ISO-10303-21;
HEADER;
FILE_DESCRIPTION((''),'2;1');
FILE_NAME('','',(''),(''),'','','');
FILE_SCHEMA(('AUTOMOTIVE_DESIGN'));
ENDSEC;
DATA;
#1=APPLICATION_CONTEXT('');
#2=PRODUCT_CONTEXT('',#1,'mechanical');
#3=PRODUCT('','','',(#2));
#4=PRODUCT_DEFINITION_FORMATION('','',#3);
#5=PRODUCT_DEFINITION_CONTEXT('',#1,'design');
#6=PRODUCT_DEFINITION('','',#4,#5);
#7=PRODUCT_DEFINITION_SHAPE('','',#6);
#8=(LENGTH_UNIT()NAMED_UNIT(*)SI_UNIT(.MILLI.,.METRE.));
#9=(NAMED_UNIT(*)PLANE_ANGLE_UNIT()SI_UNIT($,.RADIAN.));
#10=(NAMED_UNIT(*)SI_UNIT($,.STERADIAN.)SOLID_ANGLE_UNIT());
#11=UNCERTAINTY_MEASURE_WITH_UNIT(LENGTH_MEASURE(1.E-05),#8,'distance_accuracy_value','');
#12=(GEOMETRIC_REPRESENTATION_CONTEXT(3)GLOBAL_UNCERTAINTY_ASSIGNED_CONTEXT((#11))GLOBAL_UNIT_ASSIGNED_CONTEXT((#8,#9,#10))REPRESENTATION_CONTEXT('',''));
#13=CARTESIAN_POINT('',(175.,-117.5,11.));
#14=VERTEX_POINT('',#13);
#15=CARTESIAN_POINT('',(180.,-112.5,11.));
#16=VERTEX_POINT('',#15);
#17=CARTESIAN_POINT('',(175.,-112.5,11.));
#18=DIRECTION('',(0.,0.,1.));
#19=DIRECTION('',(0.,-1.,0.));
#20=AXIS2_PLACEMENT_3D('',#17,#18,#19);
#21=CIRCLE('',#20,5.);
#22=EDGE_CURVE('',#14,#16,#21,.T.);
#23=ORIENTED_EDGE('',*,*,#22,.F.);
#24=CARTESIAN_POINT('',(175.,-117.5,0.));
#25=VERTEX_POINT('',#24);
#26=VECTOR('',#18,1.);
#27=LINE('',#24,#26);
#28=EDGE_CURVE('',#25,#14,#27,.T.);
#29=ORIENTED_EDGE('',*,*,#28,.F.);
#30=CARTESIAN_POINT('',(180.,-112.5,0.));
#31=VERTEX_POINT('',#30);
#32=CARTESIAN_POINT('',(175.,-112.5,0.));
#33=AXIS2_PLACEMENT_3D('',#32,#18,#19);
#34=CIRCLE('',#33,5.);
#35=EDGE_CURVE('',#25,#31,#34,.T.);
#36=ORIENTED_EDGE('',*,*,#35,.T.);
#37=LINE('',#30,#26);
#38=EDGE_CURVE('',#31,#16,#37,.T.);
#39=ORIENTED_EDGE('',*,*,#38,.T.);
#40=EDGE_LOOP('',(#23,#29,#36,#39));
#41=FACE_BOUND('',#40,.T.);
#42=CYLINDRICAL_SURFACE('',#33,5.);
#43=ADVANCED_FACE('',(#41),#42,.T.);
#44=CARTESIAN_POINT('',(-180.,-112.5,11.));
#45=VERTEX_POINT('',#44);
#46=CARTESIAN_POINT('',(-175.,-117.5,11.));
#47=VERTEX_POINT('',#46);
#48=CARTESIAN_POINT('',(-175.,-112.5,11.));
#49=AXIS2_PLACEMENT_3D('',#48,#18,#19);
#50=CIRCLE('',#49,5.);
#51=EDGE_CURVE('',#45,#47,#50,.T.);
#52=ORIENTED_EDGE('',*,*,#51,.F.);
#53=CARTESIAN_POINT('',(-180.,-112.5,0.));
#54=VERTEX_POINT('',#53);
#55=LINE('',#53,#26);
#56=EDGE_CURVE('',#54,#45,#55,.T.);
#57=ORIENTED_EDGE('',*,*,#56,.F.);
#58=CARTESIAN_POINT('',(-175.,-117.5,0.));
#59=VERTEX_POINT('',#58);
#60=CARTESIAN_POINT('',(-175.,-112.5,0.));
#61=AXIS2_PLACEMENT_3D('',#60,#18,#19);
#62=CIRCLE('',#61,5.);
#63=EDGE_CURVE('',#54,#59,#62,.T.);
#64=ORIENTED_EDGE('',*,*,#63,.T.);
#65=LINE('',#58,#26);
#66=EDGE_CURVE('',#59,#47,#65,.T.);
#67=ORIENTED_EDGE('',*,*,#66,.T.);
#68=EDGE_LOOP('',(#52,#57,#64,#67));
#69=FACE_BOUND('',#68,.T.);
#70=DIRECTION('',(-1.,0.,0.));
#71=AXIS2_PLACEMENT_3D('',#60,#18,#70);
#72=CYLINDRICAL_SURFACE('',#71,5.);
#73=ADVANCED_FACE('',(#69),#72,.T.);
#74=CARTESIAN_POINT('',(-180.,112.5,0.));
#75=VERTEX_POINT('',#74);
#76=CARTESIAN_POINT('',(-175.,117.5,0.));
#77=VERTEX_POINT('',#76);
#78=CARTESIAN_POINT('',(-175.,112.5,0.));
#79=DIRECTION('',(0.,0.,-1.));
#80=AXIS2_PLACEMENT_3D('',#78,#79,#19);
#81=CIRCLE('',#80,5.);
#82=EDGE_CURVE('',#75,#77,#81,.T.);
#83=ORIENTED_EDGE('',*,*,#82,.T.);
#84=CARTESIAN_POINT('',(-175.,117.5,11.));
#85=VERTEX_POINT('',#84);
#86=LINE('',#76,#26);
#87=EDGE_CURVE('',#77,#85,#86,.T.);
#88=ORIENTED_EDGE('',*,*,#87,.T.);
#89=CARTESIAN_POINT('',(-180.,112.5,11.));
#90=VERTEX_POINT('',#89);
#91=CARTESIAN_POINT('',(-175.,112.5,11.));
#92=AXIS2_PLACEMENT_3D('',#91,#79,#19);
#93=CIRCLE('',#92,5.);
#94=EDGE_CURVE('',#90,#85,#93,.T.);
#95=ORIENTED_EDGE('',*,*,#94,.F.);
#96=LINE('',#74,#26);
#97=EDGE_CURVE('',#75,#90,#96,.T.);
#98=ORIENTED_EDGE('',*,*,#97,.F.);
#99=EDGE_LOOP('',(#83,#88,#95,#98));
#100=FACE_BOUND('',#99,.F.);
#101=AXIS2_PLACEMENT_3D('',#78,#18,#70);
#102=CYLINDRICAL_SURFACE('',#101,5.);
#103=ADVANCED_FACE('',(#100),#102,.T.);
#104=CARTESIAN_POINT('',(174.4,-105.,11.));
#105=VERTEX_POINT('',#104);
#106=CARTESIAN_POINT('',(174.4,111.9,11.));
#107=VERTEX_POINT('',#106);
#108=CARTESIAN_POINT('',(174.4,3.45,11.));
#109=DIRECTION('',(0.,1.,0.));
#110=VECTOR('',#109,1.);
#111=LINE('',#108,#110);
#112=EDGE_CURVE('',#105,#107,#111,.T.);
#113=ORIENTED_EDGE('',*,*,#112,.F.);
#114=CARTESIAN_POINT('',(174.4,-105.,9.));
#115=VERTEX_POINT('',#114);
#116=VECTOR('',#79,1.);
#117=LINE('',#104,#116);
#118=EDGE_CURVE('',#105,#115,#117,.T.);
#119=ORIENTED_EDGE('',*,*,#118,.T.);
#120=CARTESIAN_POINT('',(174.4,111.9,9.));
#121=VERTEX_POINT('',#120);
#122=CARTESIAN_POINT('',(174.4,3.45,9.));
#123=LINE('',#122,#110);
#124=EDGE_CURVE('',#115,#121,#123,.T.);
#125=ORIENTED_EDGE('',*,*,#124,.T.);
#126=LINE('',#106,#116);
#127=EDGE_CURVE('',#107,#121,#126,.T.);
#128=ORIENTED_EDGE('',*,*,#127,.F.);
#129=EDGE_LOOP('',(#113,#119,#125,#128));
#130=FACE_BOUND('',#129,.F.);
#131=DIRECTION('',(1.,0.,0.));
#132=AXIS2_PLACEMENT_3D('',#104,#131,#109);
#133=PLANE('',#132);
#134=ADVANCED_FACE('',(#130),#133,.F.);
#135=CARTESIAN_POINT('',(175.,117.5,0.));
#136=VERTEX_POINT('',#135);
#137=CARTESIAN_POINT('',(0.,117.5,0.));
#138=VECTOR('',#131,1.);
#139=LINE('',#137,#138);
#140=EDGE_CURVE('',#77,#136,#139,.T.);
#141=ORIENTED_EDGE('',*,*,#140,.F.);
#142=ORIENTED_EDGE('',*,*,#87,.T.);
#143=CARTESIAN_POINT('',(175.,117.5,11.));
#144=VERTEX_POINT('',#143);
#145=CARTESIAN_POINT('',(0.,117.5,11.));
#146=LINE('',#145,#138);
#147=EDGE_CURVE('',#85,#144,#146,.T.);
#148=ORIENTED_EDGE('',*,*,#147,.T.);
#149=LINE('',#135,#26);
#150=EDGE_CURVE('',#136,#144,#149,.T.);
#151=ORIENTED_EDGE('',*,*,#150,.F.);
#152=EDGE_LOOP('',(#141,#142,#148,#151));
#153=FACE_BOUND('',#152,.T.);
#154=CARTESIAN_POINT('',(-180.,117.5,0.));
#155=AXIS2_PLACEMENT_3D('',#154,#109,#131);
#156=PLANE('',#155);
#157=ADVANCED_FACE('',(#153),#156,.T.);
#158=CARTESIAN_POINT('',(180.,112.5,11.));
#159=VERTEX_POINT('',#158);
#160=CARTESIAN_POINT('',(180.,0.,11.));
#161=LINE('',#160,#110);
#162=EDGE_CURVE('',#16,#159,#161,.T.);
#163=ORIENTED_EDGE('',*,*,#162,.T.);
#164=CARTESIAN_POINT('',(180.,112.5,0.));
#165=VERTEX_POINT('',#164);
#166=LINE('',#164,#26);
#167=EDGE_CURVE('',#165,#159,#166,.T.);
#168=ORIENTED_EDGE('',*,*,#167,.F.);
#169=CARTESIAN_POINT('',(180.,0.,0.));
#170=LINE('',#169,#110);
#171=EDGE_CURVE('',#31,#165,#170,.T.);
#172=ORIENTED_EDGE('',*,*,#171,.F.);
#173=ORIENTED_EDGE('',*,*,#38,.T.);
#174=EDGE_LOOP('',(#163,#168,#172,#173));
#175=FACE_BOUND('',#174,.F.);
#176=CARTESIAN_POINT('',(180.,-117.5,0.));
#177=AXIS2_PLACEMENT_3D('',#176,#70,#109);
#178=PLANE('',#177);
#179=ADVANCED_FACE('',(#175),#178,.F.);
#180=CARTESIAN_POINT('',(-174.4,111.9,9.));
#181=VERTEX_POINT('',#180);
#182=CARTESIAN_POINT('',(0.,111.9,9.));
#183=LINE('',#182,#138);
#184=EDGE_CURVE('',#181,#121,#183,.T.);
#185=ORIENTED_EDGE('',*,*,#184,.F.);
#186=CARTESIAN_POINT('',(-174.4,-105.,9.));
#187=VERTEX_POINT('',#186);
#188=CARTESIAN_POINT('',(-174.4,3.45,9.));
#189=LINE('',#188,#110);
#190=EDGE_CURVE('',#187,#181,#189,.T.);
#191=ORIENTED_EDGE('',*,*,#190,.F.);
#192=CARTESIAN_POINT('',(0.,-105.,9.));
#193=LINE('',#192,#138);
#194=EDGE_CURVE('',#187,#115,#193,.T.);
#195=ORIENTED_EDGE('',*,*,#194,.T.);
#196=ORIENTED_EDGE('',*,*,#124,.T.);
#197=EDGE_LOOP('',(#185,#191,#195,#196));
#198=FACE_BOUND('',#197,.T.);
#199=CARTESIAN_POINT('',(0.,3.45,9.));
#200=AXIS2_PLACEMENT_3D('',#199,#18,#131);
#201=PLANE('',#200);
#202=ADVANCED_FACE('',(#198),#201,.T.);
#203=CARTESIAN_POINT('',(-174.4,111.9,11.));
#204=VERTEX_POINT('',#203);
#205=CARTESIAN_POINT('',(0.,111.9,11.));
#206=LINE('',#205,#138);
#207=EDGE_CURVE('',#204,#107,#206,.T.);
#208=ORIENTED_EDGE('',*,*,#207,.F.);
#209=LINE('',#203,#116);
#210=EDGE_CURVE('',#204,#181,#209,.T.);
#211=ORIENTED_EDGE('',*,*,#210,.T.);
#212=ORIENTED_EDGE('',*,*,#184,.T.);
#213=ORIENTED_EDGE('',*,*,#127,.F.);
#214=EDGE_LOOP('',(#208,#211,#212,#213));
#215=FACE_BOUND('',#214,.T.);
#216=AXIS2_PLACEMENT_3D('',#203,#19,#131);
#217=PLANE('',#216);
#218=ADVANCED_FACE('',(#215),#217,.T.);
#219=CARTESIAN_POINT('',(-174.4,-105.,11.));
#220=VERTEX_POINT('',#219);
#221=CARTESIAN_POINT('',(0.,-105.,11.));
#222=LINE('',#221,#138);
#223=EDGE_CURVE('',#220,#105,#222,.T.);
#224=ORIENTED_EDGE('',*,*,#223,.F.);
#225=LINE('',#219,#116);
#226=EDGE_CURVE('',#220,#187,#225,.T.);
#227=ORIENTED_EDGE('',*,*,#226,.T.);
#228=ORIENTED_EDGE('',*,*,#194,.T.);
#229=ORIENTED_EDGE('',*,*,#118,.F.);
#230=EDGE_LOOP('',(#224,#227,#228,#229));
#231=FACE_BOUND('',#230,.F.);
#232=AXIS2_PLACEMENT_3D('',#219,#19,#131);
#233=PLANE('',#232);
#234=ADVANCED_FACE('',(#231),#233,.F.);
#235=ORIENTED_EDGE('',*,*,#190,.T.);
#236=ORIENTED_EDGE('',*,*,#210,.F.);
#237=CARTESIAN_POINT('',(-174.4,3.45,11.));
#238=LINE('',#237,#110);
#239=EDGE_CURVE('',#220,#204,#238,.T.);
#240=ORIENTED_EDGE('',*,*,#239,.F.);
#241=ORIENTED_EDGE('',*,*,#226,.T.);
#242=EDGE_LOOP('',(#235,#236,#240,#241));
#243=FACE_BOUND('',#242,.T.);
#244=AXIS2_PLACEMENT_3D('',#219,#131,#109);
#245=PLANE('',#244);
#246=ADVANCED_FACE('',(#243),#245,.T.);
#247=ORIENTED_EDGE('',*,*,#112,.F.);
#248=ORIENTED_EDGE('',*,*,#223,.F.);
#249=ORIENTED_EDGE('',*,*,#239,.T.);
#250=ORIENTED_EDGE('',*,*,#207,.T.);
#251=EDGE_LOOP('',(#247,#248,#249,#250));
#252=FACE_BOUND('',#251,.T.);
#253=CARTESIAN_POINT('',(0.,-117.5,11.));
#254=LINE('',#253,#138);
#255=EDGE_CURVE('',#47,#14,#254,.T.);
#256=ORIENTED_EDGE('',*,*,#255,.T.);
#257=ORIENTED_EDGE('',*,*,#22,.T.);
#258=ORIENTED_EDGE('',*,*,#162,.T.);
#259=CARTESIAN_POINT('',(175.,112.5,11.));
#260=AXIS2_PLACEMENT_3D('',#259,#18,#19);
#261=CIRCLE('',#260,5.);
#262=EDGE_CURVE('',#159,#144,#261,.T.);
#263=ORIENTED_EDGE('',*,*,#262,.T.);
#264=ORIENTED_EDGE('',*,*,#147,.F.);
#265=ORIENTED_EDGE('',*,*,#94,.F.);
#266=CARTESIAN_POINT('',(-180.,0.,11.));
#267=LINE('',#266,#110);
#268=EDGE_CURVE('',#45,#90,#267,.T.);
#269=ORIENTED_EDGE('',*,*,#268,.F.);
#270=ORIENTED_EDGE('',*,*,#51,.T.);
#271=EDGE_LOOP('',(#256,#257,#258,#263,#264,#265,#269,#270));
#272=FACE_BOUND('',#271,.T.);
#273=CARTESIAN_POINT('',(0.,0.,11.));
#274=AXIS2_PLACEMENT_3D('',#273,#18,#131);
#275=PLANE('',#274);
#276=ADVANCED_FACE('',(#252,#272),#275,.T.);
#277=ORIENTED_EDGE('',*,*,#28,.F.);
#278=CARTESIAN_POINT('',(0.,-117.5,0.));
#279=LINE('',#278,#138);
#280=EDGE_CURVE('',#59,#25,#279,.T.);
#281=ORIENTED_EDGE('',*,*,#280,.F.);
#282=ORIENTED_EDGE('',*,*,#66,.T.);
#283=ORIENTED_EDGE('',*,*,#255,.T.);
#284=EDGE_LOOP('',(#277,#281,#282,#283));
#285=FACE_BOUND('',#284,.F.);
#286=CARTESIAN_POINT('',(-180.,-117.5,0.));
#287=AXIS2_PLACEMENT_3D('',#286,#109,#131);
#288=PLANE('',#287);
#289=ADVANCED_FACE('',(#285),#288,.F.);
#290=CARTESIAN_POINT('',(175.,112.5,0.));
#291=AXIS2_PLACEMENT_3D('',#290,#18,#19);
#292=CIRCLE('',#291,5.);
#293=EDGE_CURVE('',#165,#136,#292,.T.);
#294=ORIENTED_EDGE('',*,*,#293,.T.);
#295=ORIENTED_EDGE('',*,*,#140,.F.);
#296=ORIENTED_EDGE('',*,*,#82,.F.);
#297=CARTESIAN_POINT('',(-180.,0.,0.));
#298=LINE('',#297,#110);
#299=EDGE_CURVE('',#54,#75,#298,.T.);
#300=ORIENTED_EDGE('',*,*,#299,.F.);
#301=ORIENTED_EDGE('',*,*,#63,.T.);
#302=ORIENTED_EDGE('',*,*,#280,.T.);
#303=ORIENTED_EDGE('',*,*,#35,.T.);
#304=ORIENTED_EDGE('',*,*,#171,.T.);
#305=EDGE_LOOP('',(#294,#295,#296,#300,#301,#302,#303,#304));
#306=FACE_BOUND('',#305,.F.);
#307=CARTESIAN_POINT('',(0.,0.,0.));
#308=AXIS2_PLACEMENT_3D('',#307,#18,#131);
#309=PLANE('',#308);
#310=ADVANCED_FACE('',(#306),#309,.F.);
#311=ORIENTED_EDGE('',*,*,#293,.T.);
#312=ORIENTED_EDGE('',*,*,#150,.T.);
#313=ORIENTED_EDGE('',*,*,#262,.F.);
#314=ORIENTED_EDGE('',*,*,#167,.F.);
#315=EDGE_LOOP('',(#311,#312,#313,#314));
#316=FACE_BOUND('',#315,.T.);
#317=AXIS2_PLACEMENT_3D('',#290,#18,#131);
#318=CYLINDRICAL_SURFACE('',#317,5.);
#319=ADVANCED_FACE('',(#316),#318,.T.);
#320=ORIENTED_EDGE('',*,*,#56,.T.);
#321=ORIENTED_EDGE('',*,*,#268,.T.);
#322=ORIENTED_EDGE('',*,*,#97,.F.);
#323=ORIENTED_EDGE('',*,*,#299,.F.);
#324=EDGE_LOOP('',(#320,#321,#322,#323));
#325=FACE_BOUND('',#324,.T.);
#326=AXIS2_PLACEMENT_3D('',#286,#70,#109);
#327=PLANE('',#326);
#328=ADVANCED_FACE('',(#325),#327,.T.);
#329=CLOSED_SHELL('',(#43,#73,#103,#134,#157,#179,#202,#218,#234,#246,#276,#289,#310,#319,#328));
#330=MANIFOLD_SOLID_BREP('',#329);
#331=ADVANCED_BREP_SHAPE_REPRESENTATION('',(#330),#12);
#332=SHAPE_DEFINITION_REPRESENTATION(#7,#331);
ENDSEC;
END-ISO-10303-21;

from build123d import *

# Parameters (mm, degrees)
SKETCH1_W           = 360
SKETCH1_H           = 235
BOSS_EXTRUDE1_DEPTH = 11
FILLET1_R           = 5
SKETCH2_W           = 348.8
SKETCH2_H           = 216.9
CUT_EXTRUDE1_DEPTH  = 2


with BuildPart() as part:
    # Sketch1 → Boss-Extrude1 (new body)
    with BuildSketch(Plane.XY):
        Rectangle(SKETCH1_W, SKETCH1_H)
    extrude(amount=BOSS_EXTRUDE1_DEPTH)

    # Fillet1
    fillet1_edges = [part.edges().sort_by_distance(p)[0] for p in [
        (180, -117.5, 5.5),
        (-180, -117.5, 5.5),
        (-180, 117.5, 5.5),
        (180, 117.5, 5.5),
    ]]
    fillet(fillet1_edges, radius=FILLET1_R)

    # Sketch2 → Cut-Extrude1 (cut)
    with BuildSketch(Plane.XY.offset(11)):
        with Locations((0, 3.45)):
            Rectangle(SKETCH2_W, SKETCH2_H)
    extrude(amount=-CUT_EXTRUDE1_DEPTH, mode=Mode.SUBTRACT)


solid = part.part
